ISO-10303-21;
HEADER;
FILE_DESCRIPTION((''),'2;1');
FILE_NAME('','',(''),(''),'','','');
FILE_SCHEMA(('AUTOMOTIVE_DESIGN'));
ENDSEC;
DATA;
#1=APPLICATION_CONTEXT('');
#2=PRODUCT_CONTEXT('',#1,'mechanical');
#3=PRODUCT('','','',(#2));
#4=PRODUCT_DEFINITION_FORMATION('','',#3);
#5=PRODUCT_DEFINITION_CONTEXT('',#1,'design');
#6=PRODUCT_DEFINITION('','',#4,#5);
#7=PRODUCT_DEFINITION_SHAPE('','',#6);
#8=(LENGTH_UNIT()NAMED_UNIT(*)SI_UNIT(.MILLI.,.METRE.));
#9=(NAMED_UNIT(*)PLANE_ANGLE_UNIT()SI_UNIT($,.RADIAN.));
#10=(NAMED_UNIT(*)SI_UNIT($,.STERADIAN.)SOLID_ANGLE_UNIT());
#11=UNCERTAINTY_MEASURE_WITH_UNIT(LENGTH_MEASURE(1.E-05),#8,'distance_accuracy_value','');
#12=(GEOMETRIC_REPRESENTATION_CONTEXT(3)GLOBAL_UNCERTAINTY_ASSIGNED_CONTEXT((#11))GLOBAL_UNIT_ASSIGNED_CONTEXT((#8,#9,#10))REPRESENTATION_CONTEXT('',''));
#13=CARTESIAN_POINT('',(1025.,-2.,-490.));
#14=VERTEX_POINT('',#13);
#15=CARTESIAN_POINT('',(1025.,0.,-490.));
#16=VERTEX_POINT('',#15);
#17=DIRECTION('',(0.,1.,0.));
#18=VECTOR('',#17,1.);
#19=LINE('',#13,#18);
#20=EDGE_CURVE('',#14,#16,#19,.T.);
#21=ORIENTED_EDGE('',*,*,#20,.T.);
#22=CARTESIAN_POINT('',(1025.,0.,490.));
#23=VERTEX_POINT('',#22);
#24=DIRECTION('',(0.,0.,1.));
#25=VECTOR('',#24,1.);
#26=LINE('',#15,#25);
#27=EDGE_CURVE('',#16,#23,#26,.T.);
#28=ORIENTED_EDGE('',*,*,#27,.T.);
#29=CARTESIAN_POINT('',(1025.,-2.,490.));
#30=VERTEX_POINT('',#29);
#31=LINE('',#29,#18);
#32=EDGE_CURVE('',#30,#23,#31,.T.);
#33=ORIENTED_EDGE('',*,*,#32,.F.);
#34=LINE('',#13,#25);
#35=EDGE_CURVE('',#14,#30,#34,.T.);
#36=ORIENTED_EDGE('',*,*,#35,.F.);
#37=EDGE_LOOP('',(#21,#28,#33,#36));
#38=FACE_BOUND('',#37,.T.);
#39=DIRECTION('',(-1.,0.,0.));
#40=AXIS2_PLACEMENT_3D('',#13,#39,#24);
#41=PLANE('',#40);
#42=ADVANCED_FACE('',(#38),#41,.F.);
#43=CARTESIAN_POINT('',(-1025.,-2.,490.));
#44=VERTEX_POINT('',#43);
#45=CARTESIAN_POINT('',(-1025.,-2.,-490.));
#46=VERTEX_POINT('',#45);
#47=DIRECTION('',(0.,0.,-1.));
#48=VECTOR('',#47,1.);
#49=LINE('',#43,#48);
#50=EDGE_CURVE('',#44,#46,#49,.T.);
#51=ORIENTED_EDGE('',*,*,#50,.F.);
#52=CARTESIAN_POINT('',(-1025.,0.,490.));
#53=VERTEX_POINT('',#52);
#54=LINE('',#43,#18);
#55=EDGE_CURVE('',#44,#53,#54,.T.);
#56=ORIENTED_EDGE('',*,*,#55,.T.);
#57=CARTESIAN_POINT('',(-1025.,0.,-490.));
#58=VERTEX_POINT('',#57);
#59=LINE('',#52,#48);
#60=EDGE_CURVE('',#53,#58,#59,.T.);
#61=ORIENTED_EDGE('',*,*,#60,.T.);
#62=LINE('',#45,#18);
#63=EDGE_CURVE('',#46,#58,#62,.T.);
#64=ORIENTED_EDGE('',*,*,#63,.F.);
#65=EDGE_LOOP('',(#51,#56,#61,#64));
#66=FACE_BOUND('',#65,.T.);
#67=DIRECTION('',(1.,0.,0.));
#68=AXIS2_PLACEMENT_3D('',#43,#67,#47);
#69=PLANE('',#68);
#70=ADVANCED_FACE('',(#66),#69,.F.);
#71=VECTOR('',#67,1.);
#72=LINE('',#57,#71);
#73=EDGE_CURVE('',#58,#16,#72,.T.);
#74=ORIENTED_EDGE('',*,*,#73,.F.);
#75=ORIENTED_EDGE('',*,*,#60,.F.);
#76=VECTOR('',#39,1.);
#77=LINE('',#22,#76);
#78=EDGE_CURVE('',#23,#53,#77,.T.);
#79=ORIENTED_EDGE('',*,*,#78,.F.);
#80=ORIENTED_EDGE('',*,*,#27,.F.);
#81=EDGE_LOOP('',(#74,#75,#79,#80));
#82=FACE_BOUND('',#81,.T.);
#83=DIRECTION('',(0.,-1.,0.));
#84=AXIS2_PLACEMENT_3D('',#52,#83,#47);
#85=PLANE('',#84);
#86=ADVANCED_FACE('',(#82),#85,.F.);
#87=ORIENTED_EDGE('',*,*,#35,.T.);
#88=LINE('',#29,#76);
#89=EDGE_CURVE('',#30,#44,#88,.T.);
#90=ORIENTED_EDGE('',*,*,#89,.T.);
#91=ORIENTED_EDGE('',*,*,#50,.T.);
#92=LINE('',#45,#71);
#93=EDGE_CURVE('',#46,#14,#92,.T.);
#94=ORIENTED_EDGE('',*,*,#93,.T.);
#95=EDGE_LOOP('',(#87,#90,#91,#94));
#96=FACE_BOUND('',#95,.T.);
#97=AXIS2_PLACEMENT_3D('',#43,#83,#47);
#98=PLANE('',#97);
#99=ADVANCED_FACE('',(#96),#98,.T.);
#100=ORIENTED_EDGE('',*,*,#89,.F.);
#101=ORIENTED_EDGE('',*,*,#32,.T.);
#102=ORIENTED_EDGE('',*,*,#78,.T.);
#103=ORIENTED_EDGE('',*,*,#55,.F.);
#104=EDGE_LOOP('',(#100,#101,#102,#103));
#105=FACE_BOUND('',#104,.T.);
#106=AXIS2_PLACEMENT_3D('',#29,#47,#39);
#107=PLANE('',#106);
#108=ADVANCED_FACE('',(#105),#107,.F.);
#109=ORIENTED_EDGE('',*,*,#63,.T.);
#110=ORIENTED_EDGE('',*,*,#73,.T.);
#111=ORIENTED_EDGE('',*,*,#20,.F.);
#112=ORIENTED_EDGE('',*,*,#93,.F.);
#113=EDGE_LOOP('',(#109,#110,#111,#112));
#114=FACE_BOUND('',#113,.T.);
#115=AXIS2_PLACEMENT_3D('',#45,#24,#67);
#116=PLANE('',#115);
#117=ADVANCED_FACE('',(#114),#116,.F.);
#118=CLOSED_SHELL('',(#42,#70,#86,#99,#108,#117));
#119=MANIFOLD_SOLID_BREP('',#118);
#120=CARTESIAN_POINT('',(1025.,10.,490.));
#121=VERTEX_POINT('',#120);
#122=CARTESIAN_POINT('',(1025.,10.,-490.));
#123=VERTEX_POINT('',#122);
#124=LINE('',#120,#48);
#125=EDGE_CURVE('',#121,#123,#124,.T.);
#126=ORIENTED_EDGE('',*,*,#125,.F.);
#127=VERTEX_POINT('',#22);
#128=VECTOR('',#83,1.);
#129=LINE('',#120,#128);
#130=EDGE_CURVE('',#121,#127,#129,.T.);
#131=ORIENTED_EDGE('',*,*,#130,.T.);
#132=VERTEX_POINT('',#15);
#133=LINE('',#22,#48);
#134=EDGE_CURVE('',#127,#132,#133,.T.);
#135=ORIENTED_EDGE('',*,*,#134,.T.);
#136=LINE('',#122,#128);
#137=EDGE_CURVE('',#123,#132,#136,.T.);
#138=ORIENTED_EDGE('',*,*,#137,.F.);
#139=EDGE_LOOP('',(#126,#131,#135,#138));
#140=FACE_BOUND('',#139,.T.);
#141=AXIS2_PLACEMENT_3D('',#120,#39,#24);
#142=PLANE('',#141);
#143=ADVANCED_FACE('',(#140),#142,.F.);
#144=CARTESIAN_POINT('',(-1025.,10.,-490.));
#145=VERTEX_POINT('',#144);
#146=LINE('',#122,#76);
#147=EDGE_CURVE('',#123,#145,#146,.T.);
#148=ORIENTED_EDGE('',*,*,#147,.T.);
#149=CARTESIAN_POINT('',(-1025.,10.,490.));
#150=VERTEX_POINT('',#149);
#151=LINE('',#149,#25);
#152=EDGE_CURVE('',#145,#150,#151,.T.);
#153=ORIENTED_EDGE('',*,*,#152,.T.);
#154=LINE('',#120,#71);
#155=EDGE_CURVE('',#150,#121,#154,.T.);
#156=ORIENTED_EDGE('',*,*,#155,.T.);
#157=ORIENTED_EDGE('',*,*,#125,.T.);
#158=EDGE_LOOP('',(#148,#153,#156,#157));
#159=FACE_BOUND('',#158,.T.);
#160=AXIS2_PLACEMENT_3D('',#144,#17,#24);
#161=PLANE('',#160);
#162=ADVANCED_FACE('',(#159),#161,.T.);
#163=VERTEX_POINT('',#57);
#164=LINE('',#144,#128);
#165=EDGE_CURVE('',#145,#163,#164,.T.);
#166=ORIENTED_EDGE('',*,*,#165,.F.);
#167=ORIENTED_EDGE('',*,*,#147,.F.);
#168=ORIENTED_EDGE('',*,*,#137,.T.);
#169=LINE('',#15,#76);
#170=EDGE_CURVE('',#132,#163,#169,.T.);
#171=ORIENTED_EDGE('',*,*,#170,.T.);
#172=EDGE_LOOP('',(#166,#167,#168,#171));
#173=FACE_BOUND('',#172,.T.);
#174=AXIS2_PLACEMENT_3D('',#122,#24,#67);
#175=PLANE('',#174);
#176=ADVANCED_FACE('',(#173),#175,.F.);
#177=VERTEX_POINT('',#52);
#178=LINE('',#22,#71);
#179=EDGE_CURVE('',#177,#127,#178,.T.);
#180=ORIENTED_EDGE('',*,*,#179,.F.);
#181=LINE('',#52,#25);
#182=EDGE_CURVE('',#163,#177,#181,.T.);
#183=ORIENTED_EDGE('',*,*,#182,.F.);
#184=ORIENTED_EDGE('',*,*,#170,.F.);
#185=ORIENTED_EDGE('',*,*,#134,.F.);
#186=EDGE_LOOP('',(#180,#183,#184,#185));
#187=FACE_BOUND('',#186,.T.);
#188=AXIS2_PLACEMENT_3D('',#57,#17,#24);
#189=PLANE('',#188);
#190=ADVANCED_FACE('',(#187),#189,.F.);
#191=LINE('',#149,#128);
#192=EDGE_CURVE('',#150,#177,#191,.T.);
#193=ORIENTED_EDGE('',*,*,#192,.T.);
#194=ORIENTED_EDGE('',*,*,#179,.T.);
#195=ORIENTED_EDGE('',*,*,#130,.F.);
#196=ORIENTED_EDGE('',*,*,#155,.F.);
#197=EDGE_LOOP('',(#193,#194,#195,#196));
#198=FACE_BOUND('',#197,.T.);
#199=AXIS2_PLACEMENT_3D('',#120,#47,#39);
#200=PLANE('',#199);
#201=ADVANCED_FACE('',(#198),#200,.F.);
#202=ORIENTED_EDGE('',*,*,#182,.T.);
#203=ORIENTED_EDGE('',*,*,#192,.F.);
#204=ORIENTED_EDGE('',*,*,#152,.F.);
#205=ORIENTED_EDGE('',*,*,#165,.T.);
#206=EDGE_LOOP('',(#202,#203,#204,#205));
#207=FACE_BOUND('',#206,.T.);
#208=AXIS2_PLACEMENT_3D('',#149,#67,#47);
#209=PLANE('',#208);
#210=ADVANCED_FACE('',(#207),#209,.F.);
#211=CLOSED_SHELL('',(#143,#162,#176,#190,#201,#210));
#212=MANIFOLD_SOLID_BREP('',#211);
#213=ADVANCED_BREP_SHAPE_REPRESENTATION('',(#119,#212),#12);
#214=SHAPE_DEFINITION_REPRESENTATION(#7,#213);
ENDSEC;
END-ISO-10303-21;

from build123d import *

# Parameters (mm, degrees)
CROQUIS1_W     = 2050
CROQUIS1_H     = 980
EXTRUIR1_DEPTH = 10
CROQUIS2_W     = 2050
CROQUIS2_H     = 980
EXTRUIR2_DEPTH = 2


with BuildPart() as part:
    # Croquis1 → Extruir1 (new body)
    with BuildSketch(Plane(origin=(0, 0, 0), x_dir=(1, 0, 0), z_dir=(0, 1, 0))):
        Rectangle(CROQUIS1_W, CROQUIS1_H)
    extrude(amount=EXTRUIR1_DEPTH)


with BuildPart() as body_2:
    # Croquis2 → Extruir2 (new body)
    with BuildSketch(Plane.XZ):
        Rectangle(CROQUIS2_W, CROQUIS2_H)
    extrude(amount=EXTRUIR2_DEPTH)


solid = Compound([part.part, body_2.part])
